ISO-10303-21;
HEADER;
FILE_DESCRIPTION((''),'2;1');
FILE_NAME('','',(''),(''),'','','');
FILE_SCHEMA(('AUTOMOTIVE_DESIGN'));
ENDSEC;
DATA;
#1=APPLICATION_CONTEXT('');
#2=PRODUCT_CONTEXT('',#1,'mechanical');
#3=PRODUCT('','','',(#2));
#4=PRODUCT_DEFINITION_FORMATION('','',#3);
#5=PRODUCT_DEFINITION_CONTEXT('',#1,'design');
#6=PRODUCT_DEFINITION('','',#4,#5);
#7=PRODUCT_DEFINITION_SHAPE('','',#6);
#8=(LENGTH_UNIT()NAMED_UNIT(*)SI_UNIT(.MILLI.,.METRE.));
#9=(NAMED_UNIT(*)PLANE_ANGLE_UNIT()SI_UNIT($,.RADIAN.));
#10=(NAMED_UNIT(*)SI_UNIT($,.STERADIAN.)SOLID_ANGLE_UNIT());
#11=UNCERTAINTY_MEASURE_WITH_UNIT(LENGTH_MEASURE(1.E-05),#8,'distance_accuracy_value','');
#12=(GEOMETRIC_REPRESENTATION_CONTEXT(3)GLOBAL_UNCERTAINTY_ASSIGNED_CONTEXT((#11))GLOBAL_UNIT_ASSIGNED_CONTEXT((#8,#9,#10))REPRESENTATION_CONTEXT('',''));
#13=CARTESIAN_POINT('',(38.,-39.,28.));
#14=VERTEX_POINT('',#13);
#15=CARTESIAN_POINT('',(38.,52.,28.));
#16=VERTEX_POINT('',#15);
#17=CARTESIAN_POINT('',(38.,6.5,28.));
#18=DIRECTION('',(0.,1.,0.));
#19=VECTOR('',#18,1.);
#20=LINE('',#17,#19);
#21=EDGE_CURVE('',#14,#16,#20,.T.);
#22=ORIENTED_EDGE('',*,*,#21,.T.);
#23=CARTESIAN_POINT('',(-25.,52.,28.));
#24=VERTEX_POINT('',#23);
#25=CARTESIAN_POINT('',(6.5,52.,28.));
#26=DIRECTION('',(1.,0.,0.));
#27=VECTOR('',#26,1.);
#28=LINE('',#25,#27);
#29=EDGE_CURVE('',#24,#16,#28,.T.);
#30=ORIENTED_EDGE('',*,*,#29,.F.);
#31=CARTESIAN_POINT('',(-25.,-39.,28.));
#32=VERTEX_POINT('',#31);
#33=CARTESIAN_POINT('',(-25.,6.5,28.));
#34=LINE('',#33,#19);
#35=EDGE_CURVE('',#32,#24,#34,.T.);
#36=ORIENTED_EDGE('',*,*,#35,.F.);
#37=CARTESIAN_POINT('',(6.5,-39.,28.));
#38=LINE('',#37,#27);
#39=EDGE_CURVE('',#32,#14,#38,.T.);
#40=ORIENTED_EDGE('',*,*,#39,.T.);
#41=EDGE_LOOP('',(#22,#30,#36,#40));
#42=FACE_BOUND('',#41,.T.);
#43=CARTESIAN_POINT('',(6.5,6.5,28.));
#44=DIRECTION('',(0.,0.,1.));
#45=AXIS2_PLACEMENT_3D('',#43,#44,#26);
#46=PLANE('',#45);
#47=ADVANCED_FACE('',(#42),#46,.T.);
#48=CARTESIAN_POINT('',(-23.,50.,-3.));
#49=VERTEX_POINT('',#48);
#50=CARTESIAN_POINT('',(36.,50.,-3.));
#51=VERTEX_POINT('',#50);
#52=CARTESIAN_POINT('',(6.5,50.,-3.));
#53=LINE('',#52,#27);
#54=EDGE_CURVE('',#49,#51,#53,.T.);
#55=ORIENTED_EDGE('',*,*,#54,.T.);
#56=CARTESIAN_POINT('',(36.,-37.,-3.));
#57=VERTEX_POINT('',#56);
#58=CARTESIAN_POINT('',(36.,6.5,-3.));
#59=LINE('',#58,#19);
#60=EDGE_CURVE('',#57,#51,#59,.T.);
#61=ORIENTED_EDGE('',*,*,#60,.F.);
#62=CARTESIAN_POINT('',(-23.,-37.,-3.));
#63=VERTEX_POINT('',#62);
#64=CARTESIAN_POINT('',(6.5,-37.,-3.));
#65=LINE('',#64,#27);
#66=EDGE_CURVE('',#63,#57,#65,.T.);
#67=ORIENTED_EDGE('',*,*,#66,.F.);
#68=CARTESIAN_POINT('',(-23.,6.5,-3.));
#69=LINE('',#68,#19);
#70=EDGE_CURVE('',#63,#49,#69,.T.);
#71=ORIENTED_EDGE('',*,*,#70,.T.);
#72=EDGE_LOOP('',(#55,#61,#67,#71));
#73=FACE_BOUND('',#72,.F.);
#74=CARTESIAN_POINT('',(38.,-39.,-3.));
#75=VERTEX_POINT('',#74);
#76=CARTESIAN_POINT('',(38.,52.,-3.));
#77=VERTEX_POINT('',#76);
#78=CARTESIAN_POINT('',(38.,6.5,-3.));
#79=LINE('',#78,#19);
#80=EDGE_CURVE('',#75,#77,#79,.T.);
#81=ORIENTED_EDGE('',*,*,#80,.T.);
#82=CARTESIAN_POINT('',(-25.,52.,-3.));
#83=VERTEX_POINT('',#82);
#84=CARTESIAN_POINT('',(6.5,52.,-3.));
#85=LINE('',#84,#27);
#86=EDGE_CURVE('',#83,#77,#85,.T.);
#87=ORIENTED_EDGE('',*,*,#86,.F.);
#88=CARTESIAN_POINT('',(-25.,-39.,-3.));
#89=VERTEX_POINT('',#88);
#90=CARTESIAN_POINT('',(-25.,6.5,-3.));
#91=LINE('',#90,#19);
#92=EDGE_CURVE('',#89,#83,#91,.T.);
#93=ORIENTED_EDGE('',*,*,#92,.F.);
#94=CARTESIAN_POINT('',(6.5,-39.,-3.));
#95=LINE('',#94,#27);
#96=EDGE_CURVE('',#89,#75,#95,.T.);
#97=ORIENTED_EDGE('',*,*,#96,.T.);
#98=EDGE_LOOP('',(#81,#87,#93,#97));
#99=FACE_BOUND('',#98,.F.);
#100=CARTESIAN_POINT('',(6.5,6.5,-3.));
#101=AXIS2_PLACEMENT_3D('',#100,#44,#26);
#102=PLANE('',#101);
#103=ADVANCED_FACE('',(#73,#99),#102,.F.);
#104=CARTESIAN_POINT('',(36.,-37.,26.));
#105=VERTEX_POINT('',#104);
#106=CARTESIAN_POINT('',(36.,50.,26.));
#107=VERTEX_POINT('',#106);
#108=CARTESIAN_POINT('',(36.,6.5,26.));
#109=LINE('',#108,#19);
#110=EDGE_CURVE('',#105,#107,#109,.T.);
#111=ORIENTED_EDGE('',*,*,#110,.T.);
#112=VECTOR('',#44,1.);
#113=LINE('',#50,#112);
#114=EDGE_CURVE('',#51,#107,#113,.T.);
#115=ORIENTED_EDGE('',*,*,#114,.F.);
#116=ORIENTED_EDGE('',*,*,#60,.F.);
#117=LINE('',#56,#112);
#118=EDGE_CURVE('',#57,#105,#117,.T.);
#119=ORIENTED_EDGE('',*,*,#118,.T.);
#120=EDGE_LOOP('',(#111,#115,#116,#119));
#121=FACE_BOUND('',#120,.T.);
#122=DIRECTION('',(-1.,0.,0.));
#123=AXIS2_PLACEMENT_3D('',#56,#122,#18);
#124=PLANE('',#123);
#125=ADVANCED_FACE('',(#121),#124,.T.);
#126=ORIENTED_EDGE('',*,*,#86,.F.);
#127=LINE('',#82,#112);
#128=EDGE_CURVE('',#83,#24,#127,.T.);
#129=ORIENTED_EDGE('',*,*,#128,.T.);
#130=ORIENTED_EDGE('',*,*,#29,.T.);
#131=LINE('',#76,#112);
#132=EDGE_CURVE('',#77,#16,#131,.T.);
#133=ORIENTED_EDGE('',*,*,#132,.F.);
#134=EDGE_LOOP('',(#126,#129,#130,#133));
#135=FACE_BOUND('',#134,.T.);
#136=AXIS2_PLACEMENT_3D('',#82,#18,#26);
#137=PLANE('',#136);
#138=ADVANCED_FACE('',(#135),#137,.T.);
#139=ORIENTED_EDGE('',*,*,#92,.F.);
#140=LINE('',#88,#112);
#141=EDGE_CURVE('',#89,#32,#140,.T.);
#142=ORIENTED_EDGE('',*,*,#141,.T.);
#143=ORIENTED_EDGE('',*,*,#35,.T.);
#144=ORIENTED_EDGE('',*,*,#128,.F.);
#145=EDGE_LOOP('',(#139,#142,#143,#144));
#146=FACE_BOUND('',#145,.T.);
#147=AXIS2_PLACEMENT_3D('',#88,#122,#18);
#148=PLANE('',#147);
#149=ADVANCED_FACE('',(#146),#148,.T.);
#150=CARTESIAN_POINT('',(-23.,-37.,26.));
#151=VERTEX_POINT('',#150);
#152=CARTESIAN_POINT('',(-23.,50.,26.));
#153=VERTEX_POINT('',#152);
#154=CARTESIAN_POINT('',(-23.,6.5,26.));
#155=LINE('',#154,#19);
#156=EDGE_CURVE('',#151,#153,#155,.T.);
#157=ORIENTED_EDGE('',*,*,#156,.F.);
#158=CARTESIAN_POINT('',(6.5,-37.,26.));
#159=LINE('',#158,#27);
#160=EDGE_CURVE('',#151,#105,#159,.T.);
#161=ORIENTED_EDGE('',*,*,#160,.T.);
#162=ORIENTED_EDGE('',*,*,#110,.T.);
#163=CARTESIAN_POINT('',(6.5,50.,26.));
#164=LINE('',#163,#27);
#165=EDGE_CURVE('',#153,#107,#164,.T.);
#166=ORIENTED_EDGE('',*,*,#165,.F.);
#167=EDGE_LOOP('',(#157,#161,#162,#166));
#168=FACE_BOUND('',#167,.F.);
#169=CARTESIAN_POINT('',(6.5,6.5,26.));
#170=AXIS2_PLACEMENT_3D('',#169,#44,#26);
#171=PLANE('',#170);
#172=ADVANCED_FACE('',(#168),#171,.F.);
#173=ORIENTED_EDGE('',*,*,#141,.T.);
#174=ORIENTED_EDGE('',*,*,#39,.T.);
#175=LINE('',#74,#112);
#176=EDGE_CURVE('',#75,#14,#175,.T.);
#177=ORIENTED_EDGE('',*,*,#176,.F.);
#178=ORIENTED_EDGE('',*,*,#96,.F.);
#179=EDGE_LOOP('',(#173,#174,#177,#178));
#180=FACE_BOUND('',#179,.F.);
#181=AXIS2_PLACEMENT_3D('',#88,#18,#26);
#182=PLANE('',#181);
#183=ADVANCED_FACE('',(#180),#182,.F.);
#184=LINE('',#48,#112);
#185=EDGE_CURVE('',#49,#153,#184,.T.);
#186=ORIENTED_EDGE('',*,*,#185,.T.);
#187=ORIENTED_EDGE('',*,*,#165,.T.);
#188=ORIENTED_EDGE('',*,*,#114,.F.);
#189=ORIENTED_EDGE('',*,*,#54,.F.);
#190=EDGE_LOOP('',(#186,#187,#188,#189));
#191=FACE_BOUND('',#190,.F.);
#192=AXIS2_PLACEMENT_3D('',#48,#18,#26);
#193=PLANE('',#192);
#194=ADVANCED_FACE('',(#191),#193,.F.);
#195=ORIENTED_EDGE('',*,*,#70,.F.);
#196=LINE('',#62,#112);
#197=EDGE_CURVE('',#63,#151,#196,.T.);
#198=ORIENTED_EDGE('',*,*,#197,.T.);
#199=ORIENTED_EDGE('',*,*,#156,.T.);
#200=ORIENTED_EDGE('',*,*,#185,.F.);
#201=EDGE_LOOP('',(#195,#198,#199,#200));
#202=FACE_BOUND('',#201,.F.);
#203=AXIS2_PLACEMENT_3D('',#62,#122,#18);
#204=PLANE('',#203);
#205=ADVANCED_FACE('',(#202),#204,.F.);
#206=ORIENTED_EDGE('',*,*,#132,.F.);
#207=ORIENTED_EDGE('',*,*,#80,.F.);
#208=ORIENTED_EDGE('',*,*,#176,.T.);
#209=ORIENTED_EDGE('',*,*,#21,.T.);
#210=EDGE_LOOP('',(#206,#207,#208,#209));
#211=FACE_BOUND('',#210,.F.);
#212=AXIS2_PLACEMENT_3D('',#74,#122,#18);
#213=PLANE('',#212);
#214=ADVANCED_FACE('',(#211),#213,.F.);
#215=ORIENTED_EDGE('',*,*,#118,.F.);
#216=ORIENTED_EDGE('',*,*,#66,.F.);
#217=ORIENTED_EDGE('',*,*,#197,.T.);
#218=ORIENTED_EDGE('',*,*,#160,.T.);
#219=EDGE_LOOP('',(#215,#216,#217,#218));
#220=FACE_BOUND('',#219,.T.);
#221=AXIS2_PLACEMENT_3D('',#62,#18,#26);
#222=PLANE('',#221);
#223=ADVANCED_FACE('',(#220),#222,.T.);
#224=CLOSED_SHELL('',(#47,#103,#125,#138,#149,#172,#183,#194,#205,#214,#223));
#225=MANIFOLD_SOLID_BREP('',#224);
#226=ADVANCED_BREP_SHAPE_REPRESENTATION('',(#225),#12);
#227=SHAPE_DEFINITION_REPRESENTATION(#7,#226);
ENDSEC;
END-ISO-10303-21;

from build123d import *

# Parameters (mm, degrees)
BOX013_W     = 59
BOX013_H     = 87
BOX013_DEPTH = 29
BOX012_W     = 63
BOX012_H     = 91
BOX012_DEPTH = 31


with BuildPart() as cube012:
    # Box013 → Box013 (new body)
    with BuildSketch(Plane(origin=(-23, -39, -3), x_dir=(1, 0, 0), z_dir=(0, 0, 1))):
        with Locations((29.5, 43.5)):
            Rectangle(BOX013_W, BOX013_H)
    extrude(amount=BOX013_DEPTH)


with BuildPart() as cut009:
    # Box012 → Box012 (new body)
    with BuildSketch(Plane(origin=(-25, -41, -3), x_dir=(1, 0, 0), z_dir=(0, 0, 1))):
        with Locations((31.5, 45.5)):
            Rectangle(BOX012_W, BOX012_H)
    extrude(amount=BOX012_DEPTH)

    # Cut009: cut Cube012
    add(cube012.part, mode=Mode.SUBTRACT)


with BuildPart() as cut009_1:
    # Cut009 placement: moved
    add(cut009.part.moved(Location((0, 2, 0))))


solid = cut009_1.part
